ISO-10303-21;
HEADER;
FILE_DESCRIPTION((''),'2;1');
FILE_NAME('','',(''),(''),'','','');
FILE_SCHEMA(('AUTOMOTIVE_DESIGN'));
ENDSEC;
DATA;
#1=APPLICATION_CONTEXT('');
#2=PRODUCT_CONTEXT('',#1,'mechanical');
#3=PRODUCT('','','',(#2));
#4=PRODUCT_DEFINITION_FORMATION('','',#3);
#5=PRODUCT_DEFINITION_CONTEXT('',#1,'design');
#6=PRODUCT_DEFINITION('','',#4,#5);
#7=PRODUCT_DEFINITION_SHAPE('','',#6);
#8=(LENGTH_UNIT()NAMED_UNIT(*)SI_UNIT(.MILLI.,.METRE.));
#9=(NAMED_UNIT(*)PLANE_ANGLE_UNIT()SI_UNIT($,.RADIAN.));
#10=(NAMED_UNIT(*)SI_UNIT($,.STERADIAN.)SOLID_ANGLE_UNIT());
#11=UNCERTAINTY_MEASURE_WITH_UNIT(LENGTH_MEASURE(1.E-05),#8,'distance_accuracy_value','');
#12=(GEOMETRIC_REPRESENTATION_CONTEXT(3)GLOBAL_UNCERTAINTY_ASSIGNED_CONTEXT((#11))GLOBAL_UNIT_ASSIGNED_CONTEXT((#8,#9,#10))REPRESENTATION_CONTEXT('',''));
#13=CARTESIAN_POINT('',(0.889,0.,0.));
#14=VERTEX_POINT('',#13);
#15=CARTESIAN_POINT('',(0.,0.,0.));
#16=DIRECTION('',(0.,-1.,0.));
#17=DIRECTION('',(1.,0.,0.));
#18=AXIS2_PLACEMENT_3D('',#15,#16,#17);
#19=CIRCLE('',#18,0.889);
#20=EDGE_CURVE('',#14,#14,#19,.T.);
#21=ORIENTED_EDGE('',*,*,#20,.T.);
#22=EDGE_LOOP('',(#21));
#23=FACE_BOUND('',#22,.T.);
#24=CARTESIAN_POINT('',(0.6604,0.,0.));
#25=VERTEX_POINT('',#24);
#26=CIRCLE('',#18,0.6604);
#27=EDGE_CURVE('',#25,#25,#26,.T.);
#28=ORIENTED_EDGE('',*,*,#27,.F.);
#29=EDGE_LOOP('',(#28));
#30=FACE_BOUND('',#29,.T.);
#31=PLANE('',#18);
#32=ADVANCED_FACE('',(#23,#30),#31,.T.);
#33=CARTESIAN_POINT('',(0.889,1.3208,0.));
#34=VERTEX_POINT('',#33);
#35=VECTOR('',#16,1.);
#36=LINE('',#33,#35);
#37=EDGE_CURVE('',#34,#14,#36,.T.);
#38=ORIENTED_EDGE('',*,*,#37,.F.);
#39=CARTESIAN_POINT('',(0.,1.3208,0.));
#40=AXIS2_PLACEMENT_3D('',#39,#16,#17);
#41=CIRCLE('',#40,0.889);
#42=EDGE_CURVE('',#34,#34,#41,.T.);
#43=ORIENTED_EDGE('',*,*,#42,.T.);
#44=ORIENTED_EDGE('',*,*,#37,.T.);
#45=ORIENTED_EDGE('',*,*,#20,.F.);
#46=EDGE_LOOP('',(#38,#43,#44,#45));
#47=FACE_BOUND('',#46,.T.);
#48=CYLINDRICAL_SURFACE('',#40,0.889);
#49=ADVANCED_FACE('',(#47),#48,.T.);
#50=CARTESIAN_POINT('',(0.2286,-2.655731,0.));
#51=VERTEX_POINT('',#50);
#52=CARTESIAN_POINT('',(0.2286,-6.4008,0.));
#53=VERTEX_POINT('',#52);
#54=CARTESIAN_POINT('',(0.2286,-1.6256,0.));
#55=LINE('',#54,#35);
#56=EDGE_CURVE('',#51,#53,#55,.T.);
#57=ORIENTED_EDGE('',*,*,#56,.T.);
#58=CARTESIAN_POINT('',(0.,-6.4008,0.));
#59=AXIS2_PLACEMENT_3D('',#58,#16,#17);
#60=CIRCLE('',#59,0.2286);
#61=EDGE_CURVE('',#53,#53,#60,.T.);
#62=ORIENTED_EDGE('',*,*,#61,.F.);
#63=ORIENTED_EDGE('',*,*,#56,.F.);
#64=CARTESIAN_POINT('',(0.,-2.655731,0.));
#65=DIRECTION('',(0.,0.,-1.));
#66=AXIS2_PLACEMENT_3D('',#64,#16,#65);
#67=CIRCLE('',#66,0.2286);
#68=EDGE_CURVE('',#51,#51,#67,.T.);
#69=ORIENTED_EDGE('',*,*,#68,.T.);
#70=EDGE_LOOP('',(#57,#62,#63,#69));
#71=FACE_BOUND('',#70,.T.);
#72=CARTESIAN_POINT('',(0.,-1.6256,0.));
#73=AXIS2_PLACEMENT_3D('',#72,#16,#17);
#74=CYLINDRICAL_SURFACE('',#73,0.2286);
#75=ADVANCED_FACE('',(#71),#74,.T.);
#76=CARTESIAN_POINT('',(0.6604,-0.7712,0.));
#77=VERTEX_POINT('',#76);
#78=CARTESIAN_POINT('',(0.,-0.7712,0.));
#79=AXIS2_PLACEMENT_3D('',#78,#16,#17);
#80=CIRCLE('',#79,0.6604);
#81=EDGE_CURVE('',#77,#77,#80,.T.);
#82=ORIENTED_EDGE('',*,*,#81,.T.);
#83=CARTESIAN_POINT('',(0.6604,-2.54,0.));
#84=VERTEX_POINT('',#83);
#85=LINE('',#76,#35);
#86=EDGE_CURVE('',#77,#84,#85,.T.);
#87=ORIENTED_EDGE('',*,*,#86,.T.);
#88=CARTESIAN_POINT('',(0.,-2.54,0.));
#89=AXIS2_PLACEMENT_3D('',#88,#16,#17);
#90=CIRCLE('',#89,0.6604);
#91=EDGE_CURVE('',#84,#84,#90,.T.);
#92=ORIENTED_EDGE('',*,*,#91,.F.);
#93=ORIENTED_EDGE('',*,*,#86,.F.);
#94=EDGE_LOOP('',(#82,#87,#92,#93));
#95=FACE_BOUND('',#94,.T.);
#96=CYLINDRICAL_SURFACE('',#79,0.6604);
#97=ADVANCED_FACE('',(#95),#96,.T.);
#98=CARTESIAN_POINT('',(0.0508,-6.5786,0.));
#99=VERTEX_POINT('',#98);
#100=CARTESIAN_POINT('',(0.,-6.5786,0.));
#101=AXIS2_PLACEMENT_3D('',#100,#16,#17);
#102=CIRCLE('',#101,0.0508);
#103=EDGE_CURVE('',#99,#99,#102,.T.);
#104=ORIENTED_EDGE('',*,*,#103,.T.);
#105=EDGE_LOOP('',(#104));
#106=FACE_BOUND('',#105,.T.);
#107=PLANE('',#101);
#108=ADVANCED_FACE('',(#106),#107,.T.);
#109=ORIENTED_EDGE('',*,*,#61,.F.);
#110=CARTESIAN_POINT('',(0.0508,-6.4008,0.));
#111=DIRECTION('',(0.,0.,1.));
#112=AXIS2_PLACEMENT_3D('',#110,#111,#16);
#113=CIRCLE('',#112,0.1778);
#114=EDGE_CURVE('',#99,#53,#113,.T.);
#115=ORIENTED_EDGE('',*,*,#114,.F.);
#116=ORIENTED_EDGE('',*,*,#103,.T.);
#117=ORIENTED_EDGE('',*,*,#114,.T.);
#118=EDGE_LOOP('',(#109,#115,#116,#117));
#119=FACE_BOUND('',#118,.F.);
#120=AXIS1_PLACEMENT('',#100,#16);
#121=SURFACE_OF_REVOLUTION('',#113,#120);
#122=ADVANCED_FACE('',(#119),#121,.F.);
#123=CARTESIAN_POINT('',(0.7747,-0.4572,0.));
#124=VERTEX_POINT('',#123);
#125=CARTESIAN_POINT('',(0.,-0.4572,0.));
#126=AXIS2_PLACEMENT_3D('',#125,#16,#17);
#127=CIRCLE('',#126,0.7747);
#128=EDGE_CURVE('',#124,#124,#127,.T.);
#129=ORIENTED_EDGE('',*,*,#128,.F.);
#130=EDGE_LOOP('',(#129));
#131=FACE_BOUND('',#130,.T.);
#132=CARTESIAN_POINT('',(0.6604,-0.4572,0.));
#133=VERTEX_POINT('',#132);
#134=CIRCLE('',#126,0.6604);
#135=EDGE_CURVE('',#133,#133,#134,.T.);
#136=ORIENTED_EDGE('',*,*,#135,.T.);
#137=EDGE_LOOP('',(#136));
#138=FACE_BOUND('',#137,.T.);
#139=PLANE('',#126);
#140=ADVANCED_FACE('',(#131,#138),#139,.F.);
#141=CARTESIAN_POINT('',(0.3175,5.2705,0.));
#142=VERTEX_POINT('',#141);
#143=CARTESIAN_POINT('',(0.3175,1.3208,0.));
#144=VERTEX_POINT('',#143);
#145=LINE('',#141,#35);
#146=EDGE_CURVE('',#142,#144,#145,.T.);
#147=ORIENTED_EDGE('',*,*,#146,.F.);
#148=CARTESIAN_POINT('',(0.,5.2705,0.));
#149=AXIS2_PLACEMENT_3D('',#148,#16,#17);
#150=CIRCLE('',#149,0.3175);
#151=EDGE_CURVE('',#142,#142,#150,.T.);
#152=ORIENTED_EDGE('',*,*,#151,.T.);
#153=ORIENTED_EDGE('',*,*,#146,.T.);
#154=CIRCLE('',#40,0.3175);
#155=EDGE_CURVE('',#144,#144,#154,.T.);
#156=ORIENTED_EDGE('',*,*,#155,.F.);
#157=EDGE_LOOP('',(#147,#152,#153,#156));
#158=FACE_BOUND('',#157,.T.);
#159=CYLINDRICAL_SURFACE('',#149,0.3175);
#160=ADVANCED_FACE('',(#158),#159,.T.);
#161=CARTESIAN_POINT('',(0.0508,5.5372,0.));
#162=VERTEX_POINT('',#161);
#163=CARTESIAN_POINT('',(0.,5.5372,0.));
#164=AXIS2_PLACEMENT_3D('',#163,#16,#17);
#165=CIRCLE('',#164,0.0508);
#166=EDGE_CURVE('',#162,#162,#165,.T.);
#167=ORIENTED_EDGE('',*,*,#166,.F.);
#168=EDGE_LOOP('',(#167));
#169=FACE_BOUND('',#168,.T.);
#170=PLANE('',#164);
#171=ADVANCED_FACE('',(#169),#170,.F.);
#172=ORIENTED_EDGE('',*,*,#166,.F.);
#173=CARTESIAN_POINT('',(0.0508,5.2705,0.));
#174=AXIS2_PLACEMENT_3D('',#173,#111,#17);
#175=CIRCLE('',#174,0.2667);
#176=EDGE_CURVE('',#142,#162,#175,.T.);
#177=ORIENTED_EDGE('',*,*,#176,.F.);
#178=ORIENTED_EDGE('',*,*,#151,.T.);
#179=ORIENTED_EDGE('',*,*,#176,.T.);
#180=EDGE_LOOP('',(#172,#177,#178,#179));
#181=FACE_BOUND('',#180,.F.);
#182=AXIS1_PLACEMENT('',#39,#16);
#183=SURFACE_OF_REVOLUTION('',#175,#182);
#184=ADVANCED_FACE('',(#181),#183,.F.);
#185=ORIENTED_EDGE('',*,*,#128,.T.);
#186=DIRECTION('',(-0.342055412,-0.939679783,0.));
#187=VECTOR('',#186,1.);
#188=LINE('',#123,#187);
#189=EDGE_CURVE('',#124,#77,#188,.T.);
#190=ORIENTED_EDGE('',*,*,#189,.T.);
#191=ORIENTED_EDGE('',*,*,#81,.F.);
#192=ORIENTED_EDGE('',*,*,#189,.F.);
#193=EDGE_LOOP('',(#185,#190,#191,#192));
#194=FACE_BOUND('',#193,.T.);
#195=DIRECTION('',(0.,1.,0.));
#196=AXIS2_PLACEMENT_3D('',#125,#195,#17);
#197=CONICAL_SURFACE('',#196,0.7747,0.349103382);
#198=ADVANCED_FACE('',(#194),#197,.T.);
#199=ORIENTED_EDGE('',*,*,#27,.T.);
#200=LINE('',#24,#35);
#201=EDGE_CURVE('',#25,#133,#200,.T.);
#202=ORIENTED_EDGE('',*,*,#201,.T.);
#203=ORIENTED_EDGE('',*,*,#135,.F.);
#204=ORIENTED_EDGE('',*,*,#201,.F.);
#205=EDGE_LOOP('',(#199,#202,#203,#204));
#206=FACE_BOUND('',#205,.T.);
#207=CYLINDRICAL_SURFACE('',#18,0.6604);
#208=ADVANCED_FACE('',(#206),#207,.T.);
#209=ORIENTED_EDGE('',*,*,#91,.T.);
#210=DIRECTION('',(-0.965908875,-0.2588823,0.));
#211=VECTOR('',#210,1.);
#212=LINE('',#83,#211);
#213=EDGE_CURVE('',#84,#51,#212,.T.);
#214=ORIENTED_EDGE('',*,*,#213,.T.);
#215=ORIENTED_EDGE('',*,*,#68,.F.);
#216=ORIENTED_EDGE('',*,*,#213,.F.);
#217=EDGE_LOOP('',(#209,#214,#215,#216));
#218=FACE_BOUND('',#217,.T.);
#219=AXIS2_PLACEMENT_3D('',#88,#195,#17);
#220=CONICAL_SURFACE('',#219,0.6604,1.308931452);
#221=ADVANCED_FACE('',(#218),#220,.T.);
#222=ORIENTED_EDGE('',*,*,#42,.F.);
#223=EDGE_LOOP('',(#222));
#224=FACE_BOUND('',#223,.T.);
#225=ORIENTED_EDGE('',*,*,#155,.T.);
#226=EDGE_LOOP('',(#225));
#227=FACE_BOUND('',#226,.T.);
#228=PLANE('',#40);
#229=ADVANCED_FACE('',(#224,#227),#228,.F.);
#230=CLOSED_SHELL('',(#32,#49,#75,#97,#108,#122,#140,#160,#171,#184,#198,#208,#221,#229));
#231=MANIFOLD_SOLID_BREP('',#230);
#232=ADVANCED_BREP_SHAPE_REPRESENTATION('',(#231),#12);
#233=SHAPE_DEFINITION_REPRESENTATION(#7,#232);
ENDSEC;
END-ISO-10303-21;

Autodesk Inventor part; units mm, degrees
sketch "Sketch_1" plane through (0, 0, 0) normal (0, 0, 1) x (1, 0, 0)
  line L0 (0, -2.717) -> (0, 1.3208)
  line L1 (0, 1.3208) -> (0.889, 1.3208)
  line L2 (0.889, 1.3208) -> (0.889, 0)
  line L3 (0.889, 0) -> (0.6604, 0)
  line L4 (0.6604, 0) -> (0.6604, -0.4572)
  line L5 (0.6604, -0.4572) -> (0.7747, -0.4572)
  line L6 (0.7747, -0.4572) -> (0.6604, -0.7712)
  line L7 (0.6604, -0.7712) -> (0.6604, -2.54)
  line L8 (0.6604, -2.54) -> (0, -2.717)
  line L9 (0, -2.717) -> (0, 1.3208)
revolve "Revolution1" add sketch "Sketch_1" angle 360 about axis through (0, -2.717, 0) along (0, -1, 0)
sketch "Sketch_3" plane through (0, 0, 0) normal (0, 0, 1) x (1, 0, 0)
  line L0 (0, 1.3208) -> (0, 5.5372)
  line L1 (0, 5.5372) -> (0.0508, 5.5372)
  arc A0 (0.3175, 5.2705) -> (0.0508, 5.5372) centre (0.0508, 5.2705) ccw
  line L2 (0.3175, 5.2705) -> (0.3175, 1.3208)
  line L3 (0.3175, 1.3208) -> (0, 1.3208)
  line L4 (0, 1.3208) -> (0, 5.5372)
revolve "Revolution2" add sketch "Sketch_3" angle 360 about axis through (0, 1.3208, 0) along (0, -1, 0)
sketch "Sketch_14" plane through (0, 0, 0) normal (0, 0, 1) x (1, 0, 0)
  line L0 (0, -6.5786) -> (0, -1.6256)
  line L1 (0, -1.6256) -> (0.2286, -1.6256)
  line L2 (0.2286, -1.6256) -> (0.2286, -6.4008)
  arc A0 (0.0508, -6.5786) -> (0.2286, -6.4008) centre (0.0508, -6.4008) ccw
  line L3 (0.0508, -6.5786) -> (0, -6.5786)
  line L4 (0, -6.5786) -> (0, -1.6256)
revolve "Revolution3" add sketch "Sketch_14" angle 360 about axis through (0, -6.5786, 0) along (0, -1, 0)
ref_plane "pins_XY" through (0, 0, 0) normal (0, 1, 0) x (1, 0, 0)
ref_plane "pins_YZ" through (0, 0, 0) normal (1, 0, 0) x (0, 0, -1)
ref_plane "pins_ZX" through (0, 0, 0) normal (0, 0, -1) x (0, 1, 0)
properties part number "-101-G-A_pins"
